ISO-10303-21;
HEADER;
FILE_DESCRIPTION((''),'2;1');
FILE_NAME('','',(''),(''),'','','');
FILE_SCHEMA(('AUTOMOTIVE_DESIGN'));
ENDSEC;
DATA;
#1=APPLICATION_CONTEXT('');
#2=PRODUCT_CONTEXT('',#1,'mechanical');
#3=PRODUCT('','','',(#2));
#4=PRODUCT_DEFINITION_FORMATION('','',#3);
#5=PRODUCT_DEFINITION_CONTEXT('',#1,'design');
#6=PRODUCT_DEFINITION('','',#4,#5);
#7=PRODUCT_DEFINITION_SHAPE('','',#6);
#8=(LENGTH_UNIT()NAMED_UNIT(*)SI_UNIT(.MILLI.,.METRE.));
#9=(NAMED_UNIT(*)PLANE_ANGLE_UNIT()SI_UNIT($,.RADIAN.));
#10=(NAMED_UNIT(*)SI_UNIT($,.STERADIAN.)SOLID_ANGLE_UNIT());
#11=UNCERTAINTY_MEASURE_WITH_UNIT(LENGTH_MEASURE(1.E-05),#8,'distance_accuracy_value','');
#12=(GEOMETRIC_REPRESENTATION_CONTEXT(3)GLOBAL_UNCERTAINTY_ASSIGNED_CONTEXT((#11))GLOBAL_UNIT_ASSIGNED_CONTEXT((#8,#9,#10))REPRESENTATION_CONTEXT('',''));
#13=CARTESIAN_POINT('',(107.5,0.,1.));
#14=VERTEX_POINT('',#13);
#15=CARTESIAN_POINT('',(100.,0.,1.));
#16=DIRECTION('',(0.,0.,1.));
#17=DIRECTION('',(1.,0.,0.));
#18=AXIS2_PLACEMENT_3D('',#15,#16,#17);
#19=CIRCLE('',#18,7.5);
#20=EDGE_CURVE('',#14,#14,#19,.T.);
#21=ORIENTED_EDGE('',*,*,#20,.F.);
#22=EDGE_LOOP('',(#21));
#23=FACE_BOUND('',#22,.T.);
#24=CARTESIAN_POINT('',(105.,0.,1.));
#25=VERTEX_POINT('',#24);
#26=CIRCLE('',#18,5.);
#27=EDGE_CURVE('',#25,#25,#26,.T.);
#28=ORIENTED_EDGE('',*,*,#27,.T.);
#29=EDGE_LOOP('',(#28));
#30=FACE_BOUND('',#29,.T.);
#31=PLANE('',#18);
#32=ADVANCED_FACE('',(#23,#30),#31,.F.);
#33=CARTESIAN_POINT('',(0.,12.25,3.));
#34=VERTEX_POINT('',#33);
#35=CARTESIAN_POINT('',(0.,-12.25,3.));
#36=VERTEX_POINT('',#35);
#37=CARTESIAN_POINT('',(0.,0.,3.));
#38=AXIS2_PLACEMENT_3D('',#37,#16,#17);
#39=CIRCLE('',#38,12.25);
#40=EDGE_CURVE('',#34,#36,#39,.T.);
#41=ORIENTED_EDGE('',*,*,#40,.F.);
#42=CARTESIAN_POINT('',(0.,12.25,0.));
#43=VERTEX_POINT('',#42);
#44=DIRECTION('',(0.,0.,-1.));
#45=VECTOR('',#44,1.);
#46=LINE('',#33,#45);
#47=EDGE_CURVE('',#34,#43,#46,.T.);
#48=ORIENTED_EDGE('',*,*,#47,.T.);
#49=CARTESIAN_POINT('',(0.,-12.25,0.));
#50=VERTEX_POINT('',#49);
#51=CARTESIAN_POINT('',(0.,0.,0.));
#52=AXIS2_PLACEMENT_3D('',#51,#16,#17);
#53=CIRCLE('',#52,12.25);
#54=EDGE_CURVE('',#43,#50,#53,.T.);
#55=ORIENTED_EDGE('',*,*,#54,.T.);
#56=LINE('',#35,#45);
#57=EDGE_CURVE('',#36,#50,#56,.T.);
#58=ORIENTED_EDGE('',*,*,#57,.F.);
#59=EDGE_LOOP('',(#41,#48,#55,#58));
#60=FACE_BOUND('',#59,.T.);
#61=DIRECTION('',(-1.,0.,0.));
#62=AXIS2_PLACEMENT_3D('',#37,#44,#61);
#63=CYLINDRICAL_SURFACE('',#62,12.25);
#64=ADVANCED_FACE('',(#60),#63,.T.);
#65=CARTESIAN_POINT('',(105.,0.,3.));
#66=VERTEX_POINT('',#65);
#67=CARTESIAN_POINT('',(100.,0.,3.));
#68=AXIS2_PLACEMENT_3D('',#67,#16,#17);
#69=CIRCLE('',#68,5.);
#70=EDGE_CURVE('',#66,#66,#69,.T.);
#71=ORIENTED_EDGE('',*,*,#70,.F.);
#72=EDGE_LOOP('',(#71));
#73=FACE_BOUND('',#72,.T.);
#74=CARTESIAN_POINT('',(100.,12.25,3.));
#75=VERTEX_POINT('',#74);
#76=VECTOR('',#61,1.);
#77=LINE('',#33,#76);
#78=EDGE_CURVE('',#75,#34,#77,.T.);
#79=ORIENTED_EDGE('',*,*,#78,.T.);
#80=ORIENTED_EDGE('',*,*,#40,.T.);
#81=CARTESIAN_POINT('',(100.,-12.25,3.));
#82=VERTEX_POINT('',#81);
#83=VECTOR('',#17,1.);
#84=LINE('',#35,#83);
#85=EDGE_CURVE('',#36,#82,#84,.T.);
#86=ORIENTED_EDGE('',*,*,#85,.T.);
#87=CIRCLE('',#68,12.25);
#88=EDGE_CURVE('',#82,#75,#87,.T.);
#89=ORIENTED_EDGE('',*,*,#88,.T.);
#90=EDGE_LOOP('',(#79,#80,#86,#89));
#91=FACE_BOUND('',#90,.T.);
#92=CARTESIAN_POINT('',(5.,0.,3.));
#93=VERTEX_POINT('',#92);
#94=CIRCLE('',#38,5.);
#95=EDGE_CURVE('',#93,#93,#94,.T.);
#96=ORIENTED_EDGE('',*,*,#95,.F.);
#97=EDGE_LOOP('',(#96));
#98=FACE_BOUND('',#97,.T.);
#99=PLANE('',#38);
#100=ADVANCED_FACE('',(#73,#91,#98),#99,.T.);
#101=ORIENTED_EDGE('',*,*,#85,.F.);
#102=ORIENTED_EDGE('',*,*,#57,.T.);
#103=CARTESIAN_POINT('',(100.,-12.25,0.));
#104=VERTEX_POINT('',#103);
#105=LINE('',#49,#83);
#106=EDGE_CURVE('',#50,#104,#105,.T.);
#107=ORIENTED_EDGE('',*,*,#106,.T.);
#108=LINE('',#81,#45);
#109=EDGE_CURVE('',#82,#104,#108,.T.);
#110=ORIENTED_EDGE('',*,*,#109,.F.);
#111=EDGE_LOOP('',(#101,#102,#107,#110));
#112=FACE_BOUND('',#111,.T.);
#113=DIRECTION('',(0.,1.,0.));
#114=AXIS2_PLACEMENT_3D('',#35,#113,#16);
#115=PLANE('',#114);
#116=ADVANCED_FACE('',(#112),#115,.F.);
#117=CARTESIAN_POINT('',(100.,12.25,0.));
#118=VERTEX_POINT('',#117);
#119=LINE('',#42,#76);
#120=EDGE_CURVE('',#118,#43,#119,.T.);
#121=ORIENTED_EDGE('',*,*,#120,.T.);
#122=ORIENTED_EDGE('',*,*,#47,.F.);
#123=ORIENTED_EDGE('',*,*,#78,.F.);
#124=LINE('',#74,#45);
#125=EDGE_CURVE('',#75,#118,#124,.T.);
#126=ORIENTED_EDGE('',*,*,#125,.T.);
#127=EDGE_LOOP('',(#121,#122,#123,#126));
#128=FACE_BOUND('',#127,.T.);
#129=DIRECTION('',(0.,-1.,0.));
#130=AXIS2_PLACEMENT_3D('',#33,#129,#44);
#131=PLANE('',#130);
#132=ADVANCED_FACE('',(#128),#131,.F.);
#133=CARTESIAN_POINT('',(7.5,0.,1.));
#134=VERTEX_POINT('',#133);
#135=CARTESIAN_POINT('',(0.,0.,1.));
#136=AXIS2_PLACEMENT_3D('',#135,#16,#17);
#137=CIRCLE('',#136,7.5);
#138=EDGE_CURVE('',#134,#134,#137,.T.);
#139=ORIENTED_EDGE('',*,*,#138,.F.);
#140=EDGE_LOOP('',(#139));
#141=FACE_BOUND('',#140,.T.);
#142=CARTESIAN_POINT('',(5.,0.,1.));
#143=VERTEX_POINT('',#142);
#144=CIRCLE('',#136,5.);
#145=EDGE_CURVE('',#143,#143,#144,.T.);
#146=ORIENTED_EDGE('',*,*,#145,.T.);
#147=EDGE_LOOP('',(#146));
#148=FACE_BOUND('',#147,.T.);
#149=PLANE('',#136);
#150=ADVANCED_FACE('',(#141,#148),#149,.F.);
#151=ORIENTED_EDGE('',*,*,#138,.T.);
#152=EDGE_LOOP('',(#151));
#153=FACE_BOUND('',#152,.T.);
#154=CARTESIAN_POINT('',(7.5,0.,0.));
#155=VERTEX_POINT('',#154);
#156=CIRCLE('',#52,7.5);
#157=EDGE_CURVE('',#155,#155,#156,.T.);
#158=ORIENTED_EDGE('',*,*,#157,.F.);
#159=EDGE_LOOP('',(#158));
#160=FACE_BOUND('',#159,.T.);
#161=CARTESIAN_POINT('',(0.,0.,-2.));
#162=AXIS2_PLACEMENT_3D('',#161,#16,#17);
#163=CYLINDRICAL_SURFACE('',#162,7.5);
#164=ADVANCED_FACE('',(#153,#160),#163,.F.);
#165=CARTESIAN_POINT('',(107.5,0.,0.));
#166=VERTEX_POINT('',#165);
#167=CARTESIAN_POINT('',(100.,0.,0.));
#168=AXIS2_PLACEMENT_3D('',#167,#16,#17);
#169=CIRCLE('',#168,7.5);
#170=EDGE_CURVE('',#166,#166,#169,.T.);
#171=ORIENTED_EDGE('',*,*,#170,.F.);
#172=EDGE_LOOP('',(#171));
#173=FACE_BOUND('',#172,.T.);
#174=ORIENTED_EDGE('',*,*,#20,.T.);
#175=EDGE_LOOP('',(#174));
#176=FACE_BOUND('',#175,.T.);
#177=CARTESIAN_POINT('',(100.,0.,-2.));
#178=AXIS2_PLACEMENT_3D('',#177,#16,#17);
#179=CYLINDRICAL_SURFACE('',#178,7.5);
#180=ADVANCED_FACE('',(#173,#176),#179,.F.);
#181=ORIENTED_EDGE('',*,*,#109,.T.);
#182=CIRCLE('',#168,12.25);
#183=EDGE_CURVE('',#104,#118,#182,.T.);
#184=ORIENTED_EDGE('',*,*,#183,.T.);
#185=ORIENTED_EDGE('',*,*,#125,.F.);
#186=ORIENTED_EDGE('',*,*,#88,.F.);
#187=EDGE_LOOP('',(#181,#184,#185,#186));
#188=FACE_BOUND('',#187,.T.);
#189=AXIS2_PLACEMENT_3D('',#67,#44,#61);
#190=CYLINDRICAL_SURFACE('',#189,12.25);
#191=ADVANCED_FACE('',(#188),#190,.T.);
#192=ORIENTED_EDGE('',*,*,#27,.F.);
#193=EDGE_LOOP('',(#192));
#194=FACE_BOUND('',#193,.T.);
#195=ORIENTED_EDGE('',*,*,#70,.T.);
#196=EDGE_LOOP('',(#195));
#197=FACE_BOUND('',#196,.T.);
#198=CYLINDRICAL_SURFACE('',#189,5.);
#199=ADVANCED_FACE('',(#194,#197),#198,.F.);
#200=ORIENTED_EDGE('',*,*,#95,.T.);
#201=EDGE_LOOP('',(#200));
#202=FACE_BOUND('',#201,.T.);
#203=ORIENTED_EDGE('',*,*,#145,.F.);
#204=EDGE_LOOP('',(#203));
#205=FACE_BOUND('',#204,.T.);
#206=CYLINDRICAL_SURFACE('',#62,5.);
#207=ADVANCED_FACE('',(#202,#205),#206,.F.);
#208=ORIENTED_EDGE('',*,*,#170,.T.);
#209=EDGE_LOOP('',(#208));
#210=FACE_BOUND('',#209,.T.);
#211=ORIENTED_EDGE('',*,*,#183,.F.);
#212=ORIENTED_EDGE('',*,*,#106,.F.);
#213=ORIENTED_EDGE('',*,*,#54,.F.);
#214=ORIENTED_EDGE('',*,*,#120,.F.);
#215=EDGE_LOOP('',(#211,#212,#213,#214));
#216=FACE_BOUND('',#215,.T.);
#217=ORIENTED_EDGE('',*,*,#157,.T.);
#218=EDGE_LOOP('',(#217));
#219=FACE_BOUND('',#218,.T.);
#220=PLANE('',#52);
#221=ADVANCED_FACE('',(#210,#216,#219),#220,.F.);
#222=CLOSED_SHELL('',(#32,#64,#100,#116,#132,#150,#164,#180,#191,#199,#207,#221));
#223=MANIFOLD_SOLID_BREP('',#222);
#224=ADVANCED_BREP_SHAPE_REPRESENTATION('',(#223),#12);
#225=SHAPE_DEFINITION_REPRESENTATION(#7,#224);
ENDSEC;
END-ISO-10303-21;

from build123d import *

# Parameters (mm, degrees)
SKETCH_1_R          = 5
EXTRUDE_1_DEPTH     = 3
SKETCH_4_R          = 7.5
CUT_EXTRUDE_3_DEPTH = 3


with BuildPart() as part:
    # 草图1 → 凸台-拉伸1 (new body)
    with BuildSketch(Plane.XY):
        with BuildLine():
            Line((0, 12.25), (100, 12.25))
            ThreePointArc((100, 12.25), (112.25, 0), (100, -12.25))
            Line((100, -12.25), (0, -12.25))
            ThreePointArc((0, -12.25), (-12.25, 0), (0, 12.25))
        make_face()
        Circle(SKETCH_1_R, mode=Mode.SUBTRACT)
        with Locations((100, 0)):
            Circle(SKETCH_1_R, mode=Mode.SUBTRACT)
    extrude(amount=EXTRUDE_1_DEPTH)

    # 草图4 → 切除-拉伸3 (cut)
    with BuildSketch(Plane.XY.offset(1)):
        Circle(SKETCH_4_R)
        with Locations((100, 0)):
            Circle(SKETCH_4_R)
    extrude(amount=-CUT_EXTRUDE_3_DEPTH, mode=Mode.SUBTRACT)


solid = part.part
